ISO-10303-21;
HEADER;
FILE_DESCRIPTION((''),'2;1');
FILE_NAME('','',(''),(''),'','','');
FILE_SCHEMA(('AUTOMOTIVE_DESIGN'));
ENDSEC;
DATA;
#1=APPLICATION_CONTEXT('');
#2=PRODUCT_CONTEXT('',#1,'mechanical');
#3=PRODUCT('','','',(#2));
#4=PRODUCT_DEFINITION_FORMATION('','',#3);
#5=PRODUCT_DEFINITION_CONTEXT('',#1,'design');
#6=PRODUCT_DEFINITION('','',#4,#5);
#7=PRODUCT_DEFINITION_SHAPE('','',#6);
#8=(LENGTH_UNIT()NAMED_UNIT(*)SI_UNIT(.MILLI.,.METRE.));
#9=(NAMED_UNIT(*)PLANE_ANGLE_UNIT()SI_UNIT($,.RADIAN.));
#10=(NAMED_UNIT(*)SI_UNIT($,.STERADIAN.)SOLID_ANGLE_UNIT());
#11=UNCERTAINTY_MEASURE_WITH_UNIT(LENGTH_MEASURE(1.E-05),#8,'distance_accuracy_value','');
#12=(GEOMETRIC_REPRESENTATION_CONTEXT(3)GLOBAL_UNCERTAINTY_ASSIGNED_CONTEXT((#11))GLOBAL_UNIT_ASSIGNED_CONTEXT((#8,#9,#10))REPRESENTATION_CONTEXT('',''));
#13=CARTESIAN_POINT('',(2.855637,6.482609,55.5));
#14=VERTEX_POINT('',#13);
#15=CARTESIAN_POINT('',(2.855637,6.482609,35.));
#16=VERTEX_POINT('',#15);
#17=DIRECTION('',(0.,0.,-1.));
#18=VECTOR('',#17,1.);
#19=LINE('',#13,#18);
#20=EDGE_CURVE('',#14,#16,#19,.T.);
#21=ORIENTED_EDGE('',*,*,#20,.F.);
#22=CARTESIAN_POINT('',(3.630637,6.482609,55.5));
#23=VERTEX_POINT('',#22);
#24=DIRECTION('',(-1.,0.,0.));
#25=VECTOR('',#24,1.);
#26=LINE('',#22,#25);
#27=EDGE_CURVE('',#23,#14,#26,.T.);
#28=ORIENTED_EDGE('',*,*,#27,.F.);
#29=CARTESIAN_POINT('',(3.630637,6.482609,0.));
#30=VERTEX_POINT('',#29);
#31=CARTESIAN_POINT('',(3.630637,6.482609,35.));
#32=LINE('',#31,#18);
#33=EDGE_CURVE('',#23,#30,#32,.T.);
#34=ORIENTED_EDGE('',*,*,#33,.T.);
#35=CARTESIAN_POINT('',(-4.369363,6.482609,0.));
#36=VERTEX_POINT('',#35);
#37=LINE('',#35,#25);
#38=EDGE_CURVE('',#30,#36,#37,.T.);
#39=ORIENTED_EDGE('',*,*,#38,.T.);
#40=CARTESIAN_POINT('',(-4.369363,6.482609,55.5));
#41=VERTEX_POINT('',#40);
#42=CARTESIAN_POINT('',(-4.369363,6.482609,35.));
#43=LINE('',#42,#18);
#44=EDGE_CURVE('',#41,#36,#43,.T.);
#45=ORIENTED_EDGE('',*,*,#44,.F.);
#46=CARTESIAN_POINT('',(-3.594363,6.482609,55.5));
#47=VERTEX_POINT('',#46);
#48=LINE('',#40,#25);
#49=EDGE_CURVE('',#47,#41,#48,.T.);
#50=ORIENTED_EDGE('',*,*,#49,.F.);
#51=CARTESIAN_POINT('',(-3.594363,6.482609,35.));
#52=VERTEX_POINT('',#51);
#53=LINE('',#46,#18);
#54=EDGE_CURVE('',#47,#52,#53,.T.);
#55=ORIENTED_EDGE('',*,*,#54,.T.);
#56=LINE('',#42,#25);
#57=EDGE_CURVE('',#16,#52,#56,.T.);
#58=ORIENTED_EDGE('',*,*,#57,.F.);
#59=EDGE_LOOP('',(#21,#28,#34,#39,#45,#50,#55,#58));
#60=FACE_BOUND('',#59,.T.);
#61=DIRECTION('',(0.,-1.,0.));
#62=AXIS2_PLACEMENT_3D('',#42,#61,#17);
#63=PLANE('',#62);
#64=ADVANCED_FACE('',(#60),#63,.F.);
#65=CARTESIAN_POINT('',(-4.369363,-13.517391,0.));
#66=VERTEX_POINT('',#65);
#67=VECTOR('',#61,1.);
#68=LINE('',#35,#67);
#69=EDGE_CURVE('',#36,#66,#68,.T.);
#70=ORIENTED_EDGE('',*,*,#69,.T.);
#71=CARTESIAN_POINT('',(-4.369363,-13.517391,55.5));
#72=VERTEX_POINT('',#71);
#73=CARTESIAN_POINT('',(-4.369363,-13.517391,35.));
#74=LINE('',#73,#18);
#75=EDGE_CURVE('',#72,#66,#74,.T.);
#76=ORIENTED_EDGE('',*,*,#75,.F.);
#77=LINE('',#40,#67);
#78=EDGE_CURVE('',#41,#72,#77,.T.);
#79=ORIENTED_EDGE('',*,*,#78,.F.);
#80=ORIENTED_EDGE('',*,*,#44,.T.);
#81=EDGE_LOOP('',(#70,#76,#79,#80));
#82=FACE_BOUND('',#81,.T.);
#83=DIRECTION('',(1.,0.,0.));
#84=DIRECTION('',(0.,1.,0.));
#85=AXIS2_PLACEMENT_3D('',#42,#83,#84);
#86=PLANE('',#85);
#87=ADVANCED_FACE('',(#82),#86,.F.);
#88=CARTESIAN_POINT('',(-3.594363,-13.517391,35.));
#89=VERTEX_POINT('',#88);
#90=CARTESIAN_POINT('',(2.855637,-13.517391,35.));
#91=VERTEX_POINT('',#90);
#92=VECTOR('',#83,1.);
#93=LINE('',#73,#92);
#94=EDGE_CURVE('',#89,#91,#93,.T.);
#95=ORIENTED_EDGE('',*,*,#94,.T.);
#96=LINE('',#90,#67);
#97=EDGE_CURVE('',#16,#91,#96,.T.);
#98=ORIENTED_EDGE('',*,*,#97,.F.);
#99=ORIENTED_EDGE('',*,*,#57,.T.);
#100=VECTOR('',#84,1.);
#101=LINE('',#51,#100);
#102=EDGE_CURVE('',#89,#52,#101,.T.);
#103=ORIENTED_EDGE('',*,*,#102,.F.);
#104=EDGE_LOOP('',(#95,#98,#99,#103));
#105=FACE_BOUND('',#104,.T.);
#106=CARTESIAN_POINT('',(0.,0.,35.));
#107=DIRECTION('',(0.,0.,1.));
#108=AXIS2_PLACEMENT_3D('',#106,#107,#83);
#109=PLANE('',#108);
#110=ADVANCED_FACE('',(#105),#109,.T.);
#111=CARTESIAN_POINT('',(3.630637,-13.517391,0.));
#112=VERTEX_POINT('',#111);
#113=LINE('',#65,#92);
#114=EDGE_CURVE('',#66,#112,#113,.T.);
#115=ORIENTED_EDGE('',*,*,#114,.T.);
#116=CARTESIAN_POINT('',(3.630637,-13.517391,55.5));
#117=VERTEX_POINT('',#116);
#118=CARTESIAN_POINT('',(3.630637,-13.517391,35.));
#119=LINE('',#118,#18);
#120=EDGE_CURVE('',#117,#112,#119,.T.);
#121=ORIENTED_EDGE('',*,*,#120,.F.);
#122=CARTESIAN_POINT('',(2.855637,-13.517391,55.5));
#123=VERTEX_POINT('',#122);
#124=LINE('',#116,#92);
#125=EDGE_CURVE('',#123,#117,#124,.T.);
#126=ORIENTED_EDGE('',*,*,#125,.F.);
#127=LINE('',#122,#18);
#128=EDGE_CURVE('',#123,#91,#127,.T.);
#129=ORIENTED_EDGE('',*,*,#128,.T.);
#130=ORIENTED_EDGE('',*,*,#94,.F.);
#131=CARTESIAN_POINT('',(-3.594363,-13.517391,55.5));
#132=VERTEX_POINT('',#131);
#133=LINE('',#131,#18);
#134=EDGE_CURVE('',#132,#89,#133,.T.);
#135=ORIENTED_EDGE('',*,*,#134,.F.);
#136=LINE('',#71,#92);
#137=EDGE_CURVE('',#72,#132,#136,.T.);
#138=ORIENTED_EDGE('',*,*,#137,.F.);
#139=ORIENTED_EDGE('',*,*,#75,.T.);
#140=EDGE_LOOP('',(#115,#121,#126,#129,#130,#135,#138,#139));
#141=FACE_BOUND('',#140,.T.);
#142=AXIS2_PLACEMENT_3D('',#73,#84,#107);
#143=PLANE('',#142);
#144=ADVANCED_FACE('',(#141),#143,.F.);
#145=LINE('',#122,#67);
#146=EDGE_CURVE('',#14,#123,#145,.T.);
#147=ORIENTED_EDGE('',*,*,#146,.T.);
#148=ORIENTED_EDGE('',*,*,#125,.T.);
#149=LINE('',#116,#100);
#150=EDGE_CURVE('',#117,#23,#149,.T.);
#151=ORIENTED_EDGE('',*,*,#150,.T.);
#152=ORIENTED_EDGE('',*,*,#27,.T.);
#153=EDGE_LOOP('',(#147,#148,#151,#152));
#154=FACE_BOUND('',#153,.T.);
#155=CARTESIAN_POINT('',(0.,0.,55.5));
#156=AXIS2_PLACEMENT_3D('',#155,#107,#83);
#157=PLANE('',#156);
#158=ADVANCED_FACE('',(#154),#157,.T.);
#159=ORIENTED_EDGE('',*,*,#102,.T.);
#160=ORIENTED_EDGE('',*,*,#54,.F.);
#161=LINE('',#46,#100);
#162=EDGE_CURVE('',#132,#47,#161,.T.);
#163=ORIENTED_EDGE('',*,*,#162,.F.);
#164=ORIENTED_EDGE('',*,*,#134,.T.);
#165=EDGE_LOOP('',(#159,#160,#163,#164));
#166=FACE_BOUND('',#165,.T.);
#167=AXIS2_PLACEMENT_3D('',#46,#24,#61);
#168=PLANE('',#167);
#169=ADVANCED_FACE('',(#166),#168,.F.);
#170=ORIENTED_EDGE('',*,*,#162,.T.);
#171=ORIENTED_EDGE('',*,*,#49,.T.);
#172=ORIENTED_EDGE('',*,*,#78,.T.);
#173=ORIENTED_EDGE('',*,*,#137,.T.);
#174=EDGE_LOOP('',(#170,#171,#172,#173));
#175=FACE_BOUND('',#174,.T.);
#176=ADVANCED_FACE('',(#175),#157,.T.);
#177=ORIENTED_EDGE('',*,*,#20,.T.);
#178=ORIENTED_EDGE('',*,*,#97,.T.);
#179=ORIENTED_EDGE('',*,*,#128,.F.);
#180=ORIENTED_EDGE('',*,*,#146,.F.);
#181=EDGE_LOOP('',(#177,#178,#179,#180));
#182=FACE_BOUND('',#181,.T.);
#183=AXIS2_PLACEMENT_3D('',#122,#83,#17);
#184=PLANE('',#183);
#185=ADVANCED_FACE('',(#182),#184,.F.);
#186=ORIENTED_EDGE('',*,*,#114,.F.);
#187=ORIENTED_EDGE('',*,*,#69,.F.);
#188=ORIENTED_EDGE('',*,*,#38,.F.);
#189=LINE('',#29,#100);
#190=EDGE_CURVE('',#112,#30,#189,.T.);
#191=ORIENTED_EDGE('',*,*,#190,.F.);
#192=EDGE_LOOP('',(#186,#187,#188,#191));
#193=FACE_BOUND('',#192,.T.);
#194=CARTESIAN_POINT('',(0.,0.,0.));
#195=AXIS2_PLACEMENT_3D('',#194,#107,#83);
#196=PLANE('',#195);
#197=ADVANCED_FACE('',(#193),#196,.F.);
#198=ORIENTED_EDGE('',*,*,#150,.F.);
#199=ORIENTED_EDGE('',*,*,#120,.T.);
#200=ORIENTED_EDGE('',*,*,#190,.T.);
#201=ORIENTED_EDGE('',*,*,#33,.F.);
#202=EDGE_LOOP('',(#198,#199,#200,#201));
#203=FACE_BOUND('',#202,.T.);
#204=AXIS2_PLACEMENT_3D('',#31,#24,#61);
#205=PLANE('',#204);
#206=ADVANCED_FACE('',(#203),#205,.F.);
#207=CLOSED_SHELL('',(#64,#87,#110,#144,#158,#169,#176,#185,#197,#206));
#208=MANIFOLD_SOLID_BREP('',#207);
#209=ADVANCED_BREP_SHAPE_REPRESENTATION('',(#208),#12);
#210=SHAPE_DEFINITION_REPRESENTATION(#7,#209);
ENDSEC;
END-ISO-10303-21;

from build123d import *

# Parameters (mm, degrees)
ESQUISSE1_W        = 8
ESQUISSE1_H        = 20
BOSS_EXTRU_1_DEPTH = 35
ESQUISSE3_W        = 0.775
ESQUISSE3_H        = 20
BOSS_EXTRU_2_DEPTH = 20.5


with BuildPart() as part:
    # Esquisse1 → Boss.-Extru.1 (new body)
    with BuildSketch(Plane.XY):
        with Locations((-0.369362761, -3.517391304)):
            Rectangle(ESQUISSE1_W, ESQUISSE1_H)
    extrude(amount=BOSS_EXTRU_1_DEPTH)

    # Esquisse3 → Boss.-Extru.2 (add)
    with BuildSketch(Plane.XY.offset(35)):
        with Locations((-3.981862761, -3.517391304)):
            Rectangle(ESQUISSE3_W, ESQUISSE3_H)
        with Locations((3.243137239, -3.517391304)):
            Rectangle(ESQUISSE3_W, ESQUISSE3_H)
    extrude(amount=BOSS_EXTRU_2_DEPTH)


solid = part.part
